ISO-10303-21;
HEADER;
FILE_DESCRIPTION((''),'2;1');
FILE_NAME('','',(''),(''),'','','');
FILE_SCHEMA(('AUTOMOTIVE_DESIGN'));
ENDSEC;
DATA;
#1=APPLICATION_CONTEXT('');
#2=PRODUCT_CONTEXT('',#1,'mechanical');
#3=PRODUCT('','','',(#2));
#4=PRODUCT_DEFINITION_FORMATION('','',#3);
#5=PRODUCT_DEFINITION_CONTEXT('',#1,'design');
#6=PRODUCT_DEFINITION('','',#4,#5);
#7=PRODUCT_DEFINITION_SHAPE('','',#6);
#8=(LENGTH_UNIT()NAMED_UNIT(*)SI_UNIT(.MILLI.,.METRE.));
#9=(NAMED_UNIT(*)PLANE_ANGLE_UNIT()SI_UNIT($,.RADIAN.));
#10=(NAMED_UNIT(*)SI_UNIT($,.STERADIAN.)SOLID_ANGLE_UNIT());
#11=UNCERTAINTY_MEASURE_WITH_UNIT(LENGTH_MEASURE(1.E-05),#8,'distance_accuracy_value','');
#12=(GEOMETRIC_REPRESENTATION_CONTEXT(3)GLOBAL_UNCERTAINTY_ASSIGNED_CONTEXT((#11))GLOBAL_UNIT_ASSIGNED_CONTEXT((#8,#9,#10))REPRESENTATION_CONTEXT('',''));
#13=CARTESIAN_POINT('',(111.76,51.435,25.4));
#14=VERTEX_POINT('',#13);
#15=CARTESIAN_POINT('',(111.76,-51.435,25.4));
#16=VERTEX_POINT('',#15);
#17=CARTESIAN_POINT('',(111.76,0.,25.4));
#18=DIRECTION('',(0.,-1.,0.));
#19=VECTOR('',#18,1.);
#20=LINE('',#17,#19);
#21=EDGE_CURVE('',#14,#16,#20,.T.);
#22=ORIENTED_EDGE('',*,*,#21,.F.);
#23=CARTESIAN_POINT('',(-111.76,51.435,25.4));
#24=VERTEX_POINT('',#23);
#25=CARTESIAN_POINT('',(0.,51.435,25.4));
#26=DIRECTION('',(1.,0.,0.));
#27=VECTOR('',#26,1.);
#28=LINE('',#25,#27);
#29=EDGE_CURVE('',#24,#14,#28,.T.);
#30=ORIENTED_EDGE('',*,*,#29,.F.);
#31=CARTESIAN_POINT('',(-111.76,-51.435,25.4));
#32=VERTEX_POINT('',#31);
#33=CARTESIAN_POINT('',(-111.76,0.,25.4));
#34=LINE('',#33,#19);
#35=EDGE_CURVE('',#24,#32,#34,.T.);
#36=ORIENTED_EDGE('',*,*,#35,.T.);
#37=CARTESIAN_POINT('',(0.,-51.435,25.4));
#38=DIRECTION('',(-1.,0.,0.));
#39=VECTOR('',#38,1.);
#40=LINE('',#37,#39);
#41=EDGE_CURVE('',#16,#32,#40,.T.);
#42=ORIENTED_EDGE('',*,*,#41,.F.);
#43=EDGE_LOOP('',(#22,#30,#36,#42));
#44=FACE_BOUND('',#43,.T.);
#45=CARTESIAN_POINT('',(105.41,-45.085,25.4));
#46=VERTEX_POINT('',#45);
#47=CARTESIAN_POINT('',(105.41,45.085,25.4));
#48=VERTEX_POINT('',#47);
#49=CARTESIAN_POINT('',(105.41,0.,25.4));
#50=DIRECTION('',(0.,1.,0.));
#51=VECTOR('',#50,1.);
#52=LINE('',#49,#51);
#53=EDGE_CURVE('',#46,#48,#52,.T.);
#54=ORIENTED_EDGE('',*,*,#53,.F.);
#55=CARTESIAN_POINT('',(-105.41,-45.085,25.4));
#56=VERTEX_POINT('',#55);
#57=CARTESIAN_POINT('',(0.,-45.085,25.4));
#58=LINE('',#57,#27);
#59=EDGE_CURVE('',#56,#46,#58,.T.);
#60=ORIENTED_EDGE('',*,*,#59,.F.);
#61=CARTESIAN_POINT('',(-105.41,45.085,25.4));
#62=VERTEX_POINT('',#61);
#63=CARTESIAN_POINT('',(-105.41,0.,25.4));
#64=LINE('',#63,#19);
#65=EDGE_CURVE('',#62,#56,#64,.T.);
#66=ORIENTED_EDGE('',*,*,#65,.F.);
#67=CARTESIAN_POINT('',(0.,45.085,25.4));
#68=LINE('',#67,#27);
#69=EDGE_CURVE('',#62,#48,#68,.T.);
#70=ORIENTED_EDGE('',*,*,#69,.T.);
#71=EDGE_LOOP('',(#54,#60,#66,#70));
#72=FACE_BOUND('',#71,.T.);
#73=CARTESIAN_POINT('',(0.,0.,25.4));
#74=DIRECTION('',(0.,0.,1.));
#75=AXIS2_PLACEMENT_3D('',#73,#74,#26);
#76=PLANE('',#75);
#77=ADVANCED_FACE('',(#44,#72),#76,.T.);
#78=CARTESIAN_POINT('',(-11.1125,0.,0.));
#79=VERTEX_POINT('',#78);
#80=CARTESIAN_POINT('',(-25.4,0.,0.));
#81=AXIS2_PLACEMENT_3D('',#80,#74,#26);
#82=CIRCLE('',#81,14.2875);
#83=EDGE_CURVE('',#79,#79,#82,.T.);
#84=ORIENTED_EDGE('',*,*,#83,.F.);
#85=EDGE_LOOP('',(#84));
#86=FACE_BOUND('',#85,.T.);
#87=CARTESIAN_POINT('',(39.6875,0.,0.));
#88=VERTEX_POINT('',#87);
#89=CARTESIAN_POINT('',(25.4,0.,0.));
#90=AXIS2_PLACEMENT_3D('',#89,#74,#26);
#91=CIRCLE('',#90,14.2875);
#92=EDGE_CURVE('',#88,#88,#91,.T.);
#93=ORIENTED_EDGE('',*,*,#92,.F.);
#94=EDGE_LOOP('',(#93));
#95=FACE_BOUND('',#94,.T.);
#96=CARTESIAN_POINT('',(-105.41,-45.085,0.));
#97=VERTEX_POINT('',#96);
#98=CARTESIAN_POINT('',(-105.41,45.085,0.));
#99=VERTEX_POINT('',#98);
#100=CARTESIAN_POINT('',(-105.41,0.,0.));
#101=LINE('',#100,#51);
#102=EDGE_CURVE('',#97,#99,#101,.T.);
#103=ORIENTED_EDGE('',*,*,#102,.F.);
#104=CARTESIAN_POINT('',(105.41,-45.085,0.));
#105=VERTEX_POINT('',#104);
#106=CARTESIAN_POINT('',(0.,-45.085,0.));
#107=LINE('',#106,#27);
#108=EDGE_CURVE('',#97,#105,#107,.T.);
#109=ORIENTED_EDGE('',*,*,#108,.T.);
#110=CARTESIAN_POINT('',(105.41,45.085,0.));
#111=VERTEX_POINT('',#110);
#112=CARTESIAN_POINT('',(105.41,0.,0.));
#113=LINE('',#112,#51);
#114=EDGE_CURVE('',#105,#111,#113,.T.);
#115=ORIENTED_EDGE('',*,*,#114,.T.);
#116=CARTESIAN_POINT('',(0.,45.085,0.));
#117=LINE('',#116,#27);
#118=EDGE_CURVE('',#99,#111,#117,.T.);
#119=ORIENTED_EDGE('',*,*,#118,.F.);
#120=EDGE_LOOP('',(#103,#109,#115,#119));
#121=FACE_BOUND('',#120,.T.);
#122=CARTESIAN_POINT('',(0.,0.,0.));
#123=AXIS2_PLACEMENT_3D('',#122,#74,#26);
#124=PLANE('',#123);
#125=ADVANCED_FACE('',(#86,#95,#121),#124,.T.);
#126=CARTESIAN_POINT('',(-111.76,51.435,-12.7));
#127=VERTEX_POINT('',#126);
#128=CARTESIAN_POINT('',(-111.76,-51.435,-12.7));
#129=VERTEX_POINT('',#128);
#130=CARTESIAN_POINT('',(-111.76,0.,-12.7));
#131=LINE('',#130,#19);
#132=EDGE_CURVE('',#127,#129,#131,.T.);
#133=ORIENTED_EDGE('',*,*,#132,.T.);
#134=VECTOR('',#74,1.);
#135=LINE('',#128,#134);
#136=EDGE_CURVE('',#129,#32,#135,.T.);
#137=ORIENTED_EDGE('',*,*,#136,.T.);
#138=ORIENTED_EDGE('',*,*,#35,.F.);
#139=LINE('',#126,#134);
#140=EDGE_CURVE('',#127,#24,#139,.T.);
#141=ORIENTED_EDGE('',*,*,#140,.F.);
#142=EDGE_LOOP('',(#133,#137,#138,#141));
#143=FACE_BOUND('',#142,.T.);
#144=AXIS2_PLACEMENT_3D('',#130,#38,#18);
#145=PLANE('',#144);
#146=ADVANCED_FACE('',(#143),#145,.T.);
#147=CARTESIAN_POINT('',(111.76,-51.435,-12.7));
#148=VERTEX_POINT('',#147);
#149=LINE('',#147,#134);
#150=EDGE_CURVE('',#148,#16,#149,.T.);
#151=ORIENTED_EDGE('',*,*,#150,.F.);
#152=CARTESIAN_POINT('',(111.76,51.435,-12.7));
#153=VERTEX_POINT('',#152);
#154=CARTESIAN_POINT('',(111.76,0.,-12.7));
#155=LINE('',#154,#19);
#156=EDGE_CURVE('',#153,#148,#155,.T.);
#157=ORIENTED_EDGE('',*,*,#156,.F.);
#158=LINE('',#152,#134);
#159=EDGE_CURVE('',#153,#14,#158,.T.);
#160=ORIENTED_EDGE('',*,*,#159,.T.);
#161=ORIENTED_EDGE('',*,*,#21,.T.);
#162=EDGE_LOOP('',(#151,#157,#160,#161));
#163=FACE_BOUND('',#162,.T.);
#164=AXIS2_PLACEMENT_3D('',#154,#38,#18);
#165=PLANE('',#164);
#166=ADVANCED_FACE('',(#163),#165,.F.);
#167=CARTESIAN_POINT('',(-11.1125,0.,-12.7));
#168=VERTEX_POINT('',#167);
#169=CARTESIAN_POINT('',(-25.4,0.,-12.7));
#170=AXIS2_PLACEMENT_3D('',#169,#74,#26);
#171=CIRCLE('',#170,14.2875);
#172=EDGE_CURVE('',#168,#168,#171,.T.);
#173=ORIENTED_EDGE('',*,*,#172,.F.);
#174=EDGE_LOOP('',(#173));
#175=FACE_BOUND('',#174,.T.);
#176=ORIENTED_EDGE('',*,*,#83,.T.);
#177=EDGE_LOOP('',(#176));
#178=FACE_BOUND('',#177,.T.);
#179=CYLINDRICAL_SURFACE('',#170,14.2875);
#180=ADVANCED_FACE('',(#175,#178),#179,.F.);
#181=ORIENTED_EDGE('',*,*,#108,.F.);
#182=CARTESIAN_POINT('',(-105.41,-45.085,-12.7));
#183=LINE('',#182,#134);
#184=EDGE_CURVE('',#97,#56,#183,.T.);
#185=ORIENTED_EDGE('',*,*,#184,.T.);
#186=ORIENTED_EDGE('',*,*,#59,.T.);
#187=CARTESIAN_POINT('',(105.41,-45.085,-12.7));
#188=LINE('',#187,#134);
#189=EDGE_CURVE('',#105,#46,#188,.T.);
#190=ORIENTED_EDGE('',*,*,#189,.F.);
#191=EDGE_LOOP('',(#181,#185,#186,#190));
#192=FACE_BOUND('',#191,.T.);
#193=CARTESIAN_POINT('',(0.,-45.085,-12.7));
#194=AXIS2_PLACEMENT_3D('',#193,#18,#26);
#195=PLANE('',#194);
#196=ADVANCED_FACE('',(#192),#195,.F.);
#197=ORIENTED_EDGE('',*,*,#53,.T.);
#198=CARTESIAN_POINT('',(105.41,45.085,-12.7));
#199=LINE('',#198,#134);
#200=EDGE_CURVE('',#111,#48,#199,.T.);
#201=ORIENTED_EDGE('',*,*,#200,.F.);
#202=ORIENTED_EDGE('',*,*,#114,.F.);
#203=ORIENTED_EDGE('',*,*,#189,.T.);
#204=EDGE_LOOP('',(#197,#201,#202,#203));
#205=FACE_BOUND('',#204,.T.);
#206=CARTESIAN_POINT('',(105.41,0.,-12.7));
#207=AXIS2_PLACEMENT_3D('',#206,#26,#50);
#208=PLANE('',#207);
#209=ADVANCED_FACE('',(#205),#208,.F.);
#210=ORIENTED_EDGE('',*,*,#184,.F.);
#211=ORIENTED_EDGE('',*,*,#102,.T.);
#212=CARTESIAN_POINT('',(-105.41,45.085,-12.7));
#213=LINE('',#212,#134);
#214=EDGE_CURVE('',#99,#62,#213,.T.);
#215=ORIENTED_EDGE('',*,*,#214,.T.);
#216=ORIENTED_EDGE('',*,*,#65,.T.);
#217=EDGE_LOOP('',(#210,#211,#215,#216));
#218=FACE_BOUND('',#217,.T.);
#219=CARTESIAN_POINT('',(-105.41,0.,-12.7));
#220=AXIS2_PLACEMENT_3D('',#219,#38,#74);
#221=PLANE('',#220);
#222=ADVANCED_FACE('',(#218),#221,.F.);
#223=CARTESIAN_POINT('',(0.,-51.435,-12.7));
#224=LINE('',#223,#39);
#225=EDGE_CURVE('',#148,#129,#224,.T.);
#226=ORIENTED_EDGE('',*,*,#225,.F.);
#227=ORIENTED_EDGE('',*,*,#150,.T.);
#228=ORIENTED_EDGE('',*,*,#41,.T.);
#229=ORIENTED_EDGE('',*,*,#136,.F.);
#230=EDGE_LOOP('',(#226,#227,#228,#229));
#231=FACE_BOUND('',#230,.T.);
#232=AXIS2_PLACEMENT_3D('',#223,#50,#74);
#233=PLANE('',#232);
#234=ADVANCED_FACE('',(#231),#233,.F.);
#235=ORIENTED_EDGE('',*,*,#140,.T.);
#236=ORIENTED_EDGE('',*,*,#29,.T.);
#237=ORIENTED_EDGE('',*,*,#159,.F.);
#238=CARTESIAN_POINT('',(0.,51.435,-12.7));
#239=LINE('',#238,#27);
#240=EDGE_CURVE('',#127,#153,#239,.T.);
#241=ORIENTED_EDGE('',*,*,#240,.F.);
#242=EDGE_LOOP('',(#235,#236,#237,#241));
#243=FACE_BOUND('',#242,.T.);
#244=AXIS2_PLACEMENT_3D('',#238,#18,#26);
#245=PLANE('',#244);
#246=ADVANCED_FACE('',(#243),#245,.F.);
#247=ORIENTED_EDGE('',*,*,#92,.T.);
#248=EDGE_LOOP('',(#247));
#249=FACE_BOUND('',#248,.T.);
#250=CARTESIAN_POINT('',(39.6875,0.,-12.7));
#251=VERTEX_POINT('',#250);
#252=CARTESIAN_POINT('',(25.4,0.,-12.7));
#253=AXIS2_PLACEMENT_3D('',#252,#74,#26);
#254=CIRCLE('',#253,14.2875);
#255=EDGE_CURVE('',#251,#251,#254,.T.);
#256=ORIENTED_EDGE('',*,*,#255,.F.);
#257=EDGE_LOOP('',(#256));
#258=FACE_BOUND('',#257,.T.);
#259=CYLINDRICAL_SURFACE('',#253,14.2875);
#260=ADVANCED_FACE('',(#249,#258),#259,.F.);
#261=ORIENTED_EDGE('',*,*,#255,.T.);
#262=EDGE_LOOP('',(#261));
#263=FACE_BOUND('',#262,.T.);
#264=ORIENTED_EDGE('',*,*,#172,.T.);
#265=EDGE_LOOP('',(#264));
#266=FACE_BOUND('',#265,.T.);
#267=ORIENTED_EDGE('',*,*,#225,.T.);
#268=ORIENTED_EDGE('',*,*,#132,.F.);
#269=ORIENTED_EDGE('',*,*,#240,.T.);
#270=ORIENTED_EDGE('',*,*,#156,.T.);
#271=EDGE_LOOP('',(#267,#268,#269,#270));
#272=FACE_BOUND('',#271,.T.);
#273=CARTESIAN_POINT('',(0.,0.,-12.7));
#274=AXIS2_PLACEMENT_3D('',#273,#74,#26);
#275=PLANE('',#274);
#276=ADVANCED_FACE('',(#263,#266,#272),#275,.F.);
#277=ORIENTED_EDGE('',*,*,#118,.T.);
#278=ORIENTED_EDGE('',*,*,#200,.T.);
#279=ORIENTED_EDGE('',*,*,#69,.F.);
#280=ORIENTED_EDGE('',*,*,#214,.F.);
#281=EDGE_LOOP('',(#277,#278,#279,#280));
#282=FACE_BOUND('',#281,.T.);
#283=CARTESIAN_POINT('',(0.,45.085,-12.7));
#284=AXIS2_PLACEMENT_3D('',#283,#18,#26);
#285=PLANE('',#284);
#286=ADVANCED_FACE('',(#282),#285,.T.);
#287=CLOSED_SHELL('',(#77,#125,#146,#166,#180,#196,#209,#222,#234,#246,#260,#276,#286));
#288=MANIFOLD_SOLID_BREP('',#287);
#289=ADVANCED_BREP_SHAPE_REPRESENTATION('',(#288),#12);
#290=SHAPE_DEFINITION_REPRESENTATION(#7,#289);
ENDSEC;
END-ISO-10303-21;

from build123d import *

# Parameters (mm, degrees)
BOSS_EXTRUDE1_DEPTH      = 25.4
BOSS_EXTRUDE1_DEPTH_BACK = 12.7
SKETCH1_W                = 223.52
SKETCH1_H                = 102.87
SKETCH1_W_2              = 210.82
SKETCH1_H_2              = 90.17
SKETCH1_3_W              = 210.82
SKETCH1_3_H              = 90.17
SKETCH1_3_R              = 14.2875
BOSS_EXTRUDE2_DEPTH      = 12.7


with BuildPart() as part:
    # Sketch1 → Boss-Extrude1 (new, two sides: drawn at the far end of the back side and taken through both)
    with BuildSketch(Plane.XY.offset(-BOSS_EXTRUDE1_DEPTH_BACK)):
        Rectangle(SKETCH1_W, SKETCH1_H)
        Rectangle(SKETCH1_W_2, SKETCH1_H_2, mode=Mode.SUBTRACT)
    extrude(amount=BOSS_EXTRUDE1_DEPTH + BOSS_EXTRUDE1_DEPTH_BACK)

    # Sketch1<3> → Boss-Extrude2 (add)
    with BuildSketch(Plane.XY):
        Rectangle(SKETCH1_3_W, SKETCH1_3_H)
        with Locations((-25.4, 0)):
            Circle(SKETCH1_3_R, mode=Mode.SUBTRACT)
        with Locations((25.4, 0)):
            Circle(SKETCH1_3_R, mode=Mode.SUBTRACT)
    extrude(amount=-BOSS_EXTRUDE2_DEPTH)


solid = part.part
